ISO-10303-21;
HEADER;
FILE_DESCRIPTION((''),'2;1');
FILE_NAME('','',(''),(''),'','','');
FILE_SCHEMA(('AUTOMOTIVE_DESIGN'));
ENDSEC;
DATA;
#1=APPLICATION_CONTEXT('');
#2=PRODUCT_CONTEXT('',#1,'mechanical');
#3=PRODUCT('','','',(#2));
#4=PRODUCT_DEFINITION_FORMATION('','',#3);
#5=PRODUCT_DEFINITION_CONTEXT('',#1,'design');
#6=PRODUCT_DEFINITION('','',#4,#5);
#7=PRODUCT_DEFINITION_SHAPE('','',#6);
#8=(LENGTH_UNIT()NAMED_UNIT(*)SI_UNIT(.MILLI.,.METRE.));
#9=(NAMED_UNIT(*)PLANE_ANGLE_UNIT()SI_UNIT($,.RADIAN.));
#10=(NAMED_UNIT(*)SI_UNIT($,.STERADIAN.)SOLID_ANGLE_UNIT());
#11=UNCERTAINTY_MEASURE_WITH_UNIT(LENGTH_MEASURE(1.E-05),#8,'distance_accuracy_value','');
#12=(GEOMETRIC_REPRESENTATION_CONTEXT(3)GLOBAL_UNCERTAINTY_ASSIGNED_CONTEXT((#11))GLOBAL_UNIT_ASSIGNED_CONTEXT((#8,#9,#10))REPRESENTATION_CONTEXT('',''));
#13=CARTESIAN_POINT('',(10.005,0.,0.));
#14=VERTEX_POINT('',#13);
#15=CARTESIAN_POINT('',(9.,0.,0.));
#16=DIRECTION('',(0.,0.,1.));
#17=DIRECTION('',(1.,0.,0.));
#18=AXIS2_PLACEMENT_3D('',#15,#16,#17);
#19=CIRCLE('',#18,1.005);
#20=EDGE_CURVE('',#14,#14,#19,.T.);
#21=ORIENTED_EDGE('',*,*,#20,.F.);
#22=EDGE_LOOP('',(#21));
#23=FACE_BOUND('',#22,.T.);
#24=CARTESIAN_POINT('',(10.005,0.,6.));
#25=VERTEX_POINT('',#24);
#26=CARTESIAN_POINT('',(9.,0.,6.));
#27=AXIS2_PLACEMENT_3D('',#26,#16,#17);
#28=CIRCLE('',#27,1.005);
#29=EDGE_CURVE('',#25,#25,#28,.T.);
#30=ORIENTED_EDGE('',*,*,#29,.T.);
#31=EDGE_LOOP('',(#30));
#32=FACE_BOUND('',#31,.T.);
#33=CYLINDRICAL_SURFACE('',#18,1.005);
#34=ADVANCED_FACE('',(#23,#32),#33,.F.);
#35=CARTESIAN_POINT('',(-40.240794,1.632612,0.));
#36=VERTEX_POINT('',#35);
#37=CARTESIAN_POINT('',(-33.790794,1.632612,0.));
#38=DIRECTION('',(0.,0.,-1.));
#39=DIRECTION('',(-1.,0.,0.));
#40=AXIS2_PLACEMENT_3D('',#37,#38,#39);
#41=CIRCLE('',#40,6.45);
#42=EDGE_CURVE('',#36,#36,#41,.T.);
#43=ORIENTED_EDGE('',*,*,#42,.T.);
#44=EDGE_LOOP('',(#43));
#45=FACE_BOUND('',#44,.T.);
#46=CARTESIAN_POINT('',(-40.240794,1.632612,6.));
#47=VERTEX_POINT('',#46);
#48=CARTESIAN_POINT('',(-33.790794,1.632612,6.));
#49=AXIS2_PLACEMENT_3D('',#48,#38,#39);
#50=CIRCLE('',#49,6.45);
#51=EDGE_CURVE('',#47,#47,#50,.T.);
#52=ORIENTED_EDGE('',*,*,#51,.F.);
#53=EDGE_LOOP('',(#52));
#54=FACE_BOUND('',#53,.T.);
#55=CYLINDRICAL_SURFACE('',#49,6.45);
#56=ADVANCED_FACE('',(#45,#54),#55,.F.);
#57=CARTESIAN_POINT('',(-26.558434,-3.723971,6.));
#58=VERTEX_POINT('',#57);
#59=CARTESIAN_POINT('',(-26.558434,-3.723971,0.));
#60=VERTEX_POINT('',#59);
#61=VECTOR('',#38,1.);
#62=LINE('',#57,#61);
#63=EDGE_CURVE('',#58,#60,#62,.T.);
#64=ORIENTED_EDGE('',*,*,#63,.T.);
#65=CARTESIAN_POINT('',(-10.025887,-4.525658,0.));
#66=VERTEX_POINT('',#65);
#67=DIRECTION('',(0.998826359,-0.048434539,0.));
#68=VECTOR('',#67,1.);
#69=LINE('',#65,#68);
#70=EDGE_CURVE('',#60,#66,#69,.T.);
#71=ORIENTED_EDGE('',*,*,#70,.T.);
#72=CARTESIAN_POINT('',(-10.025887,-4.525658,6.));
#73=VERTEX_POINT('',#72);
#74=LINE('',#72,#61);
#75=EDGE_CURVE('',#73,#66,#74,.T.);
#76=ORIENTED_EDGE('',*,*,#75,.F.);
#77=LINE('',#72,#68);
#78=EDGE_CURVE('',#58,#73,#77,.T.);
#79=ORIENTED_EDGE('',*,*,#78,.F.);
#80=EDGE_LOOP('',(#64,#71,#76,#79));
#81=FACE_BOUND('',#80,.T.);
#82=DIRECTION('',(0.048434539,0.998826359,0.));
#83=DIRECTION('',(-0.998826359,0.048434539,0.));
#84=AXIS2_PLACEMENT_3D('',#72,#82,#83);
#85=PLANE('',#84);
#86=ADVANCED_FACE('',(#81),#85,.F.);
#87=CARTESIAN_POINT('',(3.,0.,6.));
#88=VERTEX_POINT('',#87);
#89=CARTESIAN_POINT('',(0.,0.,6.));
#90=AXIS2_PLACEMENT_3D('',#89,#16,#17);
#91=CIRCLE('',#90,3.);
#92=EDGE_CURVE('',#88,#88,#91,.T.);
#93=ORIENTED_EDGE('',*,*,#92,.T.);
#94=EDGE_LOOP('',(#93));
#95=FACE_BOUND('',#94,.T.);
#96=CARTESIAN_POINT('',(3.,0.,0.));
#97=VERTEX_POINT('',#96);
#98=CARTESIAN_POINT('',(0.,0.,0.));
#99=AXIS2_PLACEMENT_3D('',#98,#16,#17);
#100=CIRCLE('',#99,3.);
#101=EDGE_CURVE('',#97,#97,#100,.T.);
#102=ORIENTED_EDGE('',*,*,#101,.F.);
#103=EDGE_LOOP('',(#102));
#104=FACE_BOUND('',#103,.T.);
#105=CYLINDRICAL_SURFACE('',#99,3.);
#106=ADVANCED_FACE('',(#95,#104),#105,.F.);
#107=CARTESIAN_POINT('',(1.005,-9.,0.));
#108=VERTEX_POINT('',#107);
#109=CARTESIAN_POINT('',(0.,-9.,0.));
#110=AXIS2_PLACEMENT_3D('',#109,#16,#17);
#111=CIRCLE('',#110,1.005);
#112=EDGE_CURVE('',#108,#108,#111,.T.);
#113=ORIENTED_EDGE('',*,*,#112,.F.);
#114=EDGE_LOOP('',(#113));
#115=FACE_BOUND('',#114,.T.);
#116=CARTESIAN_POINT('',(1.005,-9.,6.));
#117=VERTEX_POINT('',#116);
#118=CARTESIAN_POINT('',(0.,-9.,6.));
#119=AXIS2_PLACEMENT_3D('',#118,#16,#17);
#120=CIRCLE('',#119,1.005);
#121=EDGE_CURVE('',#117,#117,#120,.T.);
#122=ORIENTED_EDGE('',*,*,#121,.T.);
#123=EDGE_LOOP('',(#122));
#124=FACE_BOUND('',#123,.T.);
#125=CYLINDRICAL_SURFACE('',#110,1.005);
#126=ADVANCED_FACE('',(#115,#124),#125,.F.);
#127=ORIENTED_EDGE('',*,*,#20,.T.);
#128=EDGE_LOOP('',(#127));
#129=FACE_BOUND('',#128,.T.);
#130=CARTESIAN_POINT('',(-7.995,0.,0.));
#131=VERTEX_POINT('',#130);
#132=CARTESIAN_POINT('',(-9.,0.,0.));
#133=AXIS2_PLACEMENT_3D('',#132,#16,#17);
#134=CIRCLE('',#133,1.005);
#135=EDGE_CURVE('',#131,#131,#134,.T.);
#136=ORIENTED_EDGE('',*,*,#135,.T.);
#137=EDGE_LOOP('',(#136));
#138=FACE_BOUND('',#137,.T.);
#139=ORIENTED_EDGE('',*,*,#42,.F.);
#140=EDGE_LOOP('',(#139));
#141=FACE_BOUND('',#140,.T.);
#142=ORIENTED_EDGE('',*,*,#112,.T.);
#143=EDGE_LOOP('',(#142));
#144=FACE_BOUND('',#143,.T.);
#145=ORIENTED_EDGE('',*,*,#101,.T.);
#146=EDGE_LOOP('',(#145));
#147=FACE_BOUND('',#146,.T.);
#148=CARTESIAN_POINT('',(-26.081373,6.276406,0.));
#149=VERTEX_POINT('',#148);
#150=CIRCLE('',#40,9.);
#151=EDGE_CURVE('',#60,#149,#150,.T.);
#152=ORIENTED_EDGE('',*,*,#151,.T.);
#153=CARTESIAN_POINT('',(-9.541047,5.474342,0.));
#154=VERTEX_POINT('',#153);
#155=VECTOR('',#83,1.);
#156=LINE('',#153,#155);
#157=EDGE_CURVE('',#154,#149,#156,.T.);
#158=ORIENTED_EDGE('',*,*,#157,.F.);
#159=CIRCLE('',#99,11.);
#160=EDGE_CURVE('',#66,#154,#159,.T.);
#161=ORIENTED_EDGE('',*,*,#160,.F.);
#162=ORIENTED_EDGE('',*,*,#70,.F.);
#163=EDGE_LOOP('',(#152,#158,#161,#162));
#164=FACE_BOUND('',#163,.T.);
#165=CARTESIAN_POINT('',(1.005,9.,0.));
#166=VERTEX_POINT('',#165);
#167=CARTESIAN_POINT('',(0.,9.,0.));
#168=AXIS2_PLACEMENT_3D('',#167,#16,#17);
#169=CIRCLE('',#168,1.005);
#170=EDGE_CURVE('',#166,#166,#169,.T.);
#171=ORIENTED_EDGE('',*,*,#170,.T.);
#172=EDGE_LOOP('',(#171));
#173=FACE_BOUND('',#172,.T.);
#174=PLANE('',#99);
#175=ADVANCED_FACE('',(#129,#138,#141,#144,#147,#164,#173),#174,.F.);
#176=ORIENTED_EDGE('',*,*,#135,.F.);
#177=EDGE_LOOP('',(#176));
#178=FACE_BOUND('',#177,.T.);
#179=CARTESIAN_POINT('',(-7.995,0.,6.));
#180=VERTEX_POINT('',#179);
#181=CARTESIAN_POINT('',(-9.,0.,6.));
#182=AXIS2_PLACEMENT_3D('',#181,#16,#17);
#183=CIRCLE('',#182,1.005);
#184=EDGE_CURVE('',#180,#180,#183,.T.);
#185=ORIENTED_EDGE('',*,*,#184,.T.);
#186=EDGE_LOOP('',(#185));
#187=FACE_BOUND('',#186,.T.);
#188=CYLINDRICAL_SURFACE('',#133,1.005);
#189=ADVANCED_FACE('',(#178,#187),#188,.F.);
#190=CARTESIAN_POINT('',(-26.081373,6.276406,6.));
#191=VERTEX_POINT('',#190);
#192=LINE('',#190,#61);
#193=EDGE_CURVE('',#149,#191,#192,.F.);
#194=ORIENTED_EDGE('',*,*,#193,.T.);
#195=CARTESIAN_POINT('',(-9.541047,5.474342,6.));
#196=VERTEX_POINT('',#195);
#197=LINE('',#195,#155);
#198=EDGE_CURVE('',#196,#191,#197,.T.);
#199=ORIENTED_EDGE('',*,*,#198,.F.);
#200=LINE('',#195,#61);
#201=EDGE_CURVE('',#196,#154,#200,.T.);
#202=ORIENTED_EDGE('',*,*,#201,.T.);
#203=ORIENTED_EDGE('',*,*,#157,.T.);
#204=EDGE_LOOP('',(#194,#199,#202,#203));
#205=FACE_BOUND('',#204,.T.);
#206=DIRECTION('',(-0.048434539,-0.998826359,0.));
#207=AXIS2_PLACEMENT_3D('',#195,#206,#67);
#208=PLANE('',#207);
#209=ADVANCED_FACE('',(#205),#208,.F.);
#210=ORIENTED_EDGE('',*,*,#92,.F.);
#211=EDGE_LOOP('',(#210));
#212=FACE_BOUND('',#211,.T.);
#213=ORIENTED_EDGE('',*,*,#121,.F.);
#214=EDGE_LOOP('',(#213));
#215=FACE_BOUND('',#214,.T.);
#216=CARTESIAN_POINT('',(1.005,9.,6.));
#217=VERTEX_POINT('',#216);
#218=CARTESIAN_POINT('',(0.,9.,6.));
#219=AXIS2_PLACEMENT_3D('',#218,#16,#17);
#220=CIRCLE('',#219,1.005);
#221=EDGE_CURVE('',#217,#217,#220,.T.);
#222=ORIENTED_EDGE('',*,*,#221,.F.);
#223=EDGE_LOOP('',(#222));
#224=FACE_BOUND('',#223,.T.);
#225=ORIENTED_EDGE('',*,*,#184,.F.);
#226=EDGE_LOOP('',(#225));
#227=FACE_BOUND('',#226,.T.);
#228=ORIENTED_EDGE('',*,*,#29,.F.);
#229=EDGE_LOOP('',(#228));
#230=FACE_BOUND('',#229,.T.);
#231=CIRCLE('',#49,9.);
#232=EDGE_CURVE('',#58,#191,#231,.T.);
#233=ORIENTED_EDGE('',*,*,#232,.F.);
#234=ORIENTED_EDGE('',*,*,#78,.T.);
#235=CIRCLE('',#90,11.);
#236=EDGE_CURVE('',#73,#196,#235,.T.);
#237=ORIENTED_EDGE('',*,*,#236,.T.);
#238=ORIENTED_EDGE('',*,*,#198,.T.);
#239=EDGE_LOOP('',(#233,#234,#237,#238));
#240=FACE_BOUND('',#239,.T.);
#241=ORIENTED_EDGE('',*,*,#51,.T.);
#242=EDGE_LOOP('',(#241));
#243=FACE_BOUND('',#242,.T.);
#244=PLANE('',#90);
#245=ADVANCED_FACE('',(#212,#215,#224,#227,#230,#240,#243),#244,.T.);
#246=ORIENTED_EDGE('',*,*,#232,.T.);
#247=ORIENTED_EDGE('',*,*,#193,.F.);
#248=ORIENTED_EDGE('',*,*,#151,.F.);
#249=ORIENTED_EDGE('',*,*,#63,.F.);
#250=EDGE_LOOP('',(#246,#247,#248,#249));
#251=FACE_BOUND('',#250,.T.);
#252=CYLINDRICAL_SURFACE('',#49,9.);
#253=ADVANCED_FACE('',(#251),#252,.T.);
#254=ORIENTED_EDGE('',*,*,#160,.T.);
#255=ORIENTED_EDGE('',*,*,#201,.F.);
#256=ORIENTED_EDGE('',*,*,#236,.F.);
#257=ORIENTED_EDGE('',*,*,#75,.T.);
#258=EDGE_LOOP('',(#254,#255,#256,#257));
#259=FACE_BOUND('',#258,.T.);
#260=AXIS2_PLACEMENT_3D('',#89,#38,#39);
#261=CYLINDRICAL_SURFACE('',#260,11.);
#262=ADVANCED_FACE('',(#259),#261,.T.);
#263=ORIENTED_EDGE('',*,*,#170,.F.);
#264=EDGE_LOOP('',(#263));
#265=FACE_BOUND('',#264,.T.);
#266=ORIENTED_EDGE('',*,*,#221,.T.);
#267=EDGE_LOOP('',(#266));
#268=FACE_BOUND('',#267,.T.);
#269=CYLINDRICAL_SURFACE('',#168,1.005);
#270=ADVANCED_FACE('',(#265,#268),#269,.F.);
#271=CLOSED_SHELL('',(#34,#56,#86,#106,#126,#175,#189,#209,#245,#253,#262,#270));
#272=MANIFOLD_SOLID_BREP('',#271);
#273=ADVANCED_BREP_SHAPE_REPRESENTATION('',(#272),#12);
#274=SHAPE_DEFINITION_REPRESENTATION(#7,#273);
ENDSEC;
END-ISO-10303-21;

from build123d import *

# Parameters (mm, degrees)
BOSS_EXTRU_1_DEPTH      = 6
ESQUISSE2_R             = 1.005
ESQUISSE2_R_2           = 3
ENL_V_MAT_EXTRU_1_DEPTH = 6
ESQUISSE3_R             = 9
BOSS_EXTRU_2_DEPTH      = 6
ESQUISSE5_R             = 6.45
ENL_V_MAT_EXTRU_2_DEPTH = 6


with BuildPart() as part:
    # Esquisse1 → Boss.-Extru.1 (new body)
    with BuildSketch(Plane.XY):
        with BuildLine():
            Line((-10.02588737, -4.525658234), (-40.02588737, -3.070914704))
            Line((-40.02588737, -3.070914704), (-39.541047229, 6.929085296))
            Line((-39.541047229, 6.929085296), (-9.541047229, 5.474341766))
            ThreePointArc((-9.541047229, 5.474341766), (10.987093901, -0.532698415), (-10.02588737, -4.525658234))
        make_face()
    extrude(amount=BOSS_EXTRU_1_DEPTH)

    # Esquisse2 → Enlèv. mat.-Extru.1 (cut)
    with BuildSketch(Plane.XY.offset(6)):
        with Locations((0, 9)):
            Circle(ESQUISSE2_R)
        with Locations((9, 0)):
            Circle(ESQUISSE2_R)
        with Locations((0, -9)):
            Circle(ESQUISSE2_R)
        with Locations((-9, 0)):
            Circle(ESQUISSE2_R)
        with Locations((-33.790793572, 1.632611651)):
            Circle(ESQUISSE2_R)
        Circle(ESQUISSE2_R_2)
    extrude(amount=-ENL_V_MAT_EXTRU_1_DEPTH, mode=Mode.SUBTRACT)

    # Esquisse3 → Boss.-Extru.2 (add)
    with BuildSketch(Plane(origin=(0, 0, 0), x_dir=(-1, 0, 0), z_dir=(0, 0, -1))):
        with Locations((33.790793572, 1.632611651)):
            Circle(ESQUISSE3_R)
    extrude(amount=-BOSS_EXTRU_2_DEPTH)

    # Esquisse5 → Enlèv. mat.-Extru.2 (cut)
    with BuildSketch(Plane(origin=(0, 0, 0), x_dir=(-1, 0, 0), z_dir=(0, 0, -1))):
        with Locations((33.790793572, 1.632611651)):
            Circle(ESQUISSE5_R)
    extrude(amount=-ENL_V_MAT_EXTRU_2_DEPTH, mode=Mode.SUBTRACT)


solid = part.part
